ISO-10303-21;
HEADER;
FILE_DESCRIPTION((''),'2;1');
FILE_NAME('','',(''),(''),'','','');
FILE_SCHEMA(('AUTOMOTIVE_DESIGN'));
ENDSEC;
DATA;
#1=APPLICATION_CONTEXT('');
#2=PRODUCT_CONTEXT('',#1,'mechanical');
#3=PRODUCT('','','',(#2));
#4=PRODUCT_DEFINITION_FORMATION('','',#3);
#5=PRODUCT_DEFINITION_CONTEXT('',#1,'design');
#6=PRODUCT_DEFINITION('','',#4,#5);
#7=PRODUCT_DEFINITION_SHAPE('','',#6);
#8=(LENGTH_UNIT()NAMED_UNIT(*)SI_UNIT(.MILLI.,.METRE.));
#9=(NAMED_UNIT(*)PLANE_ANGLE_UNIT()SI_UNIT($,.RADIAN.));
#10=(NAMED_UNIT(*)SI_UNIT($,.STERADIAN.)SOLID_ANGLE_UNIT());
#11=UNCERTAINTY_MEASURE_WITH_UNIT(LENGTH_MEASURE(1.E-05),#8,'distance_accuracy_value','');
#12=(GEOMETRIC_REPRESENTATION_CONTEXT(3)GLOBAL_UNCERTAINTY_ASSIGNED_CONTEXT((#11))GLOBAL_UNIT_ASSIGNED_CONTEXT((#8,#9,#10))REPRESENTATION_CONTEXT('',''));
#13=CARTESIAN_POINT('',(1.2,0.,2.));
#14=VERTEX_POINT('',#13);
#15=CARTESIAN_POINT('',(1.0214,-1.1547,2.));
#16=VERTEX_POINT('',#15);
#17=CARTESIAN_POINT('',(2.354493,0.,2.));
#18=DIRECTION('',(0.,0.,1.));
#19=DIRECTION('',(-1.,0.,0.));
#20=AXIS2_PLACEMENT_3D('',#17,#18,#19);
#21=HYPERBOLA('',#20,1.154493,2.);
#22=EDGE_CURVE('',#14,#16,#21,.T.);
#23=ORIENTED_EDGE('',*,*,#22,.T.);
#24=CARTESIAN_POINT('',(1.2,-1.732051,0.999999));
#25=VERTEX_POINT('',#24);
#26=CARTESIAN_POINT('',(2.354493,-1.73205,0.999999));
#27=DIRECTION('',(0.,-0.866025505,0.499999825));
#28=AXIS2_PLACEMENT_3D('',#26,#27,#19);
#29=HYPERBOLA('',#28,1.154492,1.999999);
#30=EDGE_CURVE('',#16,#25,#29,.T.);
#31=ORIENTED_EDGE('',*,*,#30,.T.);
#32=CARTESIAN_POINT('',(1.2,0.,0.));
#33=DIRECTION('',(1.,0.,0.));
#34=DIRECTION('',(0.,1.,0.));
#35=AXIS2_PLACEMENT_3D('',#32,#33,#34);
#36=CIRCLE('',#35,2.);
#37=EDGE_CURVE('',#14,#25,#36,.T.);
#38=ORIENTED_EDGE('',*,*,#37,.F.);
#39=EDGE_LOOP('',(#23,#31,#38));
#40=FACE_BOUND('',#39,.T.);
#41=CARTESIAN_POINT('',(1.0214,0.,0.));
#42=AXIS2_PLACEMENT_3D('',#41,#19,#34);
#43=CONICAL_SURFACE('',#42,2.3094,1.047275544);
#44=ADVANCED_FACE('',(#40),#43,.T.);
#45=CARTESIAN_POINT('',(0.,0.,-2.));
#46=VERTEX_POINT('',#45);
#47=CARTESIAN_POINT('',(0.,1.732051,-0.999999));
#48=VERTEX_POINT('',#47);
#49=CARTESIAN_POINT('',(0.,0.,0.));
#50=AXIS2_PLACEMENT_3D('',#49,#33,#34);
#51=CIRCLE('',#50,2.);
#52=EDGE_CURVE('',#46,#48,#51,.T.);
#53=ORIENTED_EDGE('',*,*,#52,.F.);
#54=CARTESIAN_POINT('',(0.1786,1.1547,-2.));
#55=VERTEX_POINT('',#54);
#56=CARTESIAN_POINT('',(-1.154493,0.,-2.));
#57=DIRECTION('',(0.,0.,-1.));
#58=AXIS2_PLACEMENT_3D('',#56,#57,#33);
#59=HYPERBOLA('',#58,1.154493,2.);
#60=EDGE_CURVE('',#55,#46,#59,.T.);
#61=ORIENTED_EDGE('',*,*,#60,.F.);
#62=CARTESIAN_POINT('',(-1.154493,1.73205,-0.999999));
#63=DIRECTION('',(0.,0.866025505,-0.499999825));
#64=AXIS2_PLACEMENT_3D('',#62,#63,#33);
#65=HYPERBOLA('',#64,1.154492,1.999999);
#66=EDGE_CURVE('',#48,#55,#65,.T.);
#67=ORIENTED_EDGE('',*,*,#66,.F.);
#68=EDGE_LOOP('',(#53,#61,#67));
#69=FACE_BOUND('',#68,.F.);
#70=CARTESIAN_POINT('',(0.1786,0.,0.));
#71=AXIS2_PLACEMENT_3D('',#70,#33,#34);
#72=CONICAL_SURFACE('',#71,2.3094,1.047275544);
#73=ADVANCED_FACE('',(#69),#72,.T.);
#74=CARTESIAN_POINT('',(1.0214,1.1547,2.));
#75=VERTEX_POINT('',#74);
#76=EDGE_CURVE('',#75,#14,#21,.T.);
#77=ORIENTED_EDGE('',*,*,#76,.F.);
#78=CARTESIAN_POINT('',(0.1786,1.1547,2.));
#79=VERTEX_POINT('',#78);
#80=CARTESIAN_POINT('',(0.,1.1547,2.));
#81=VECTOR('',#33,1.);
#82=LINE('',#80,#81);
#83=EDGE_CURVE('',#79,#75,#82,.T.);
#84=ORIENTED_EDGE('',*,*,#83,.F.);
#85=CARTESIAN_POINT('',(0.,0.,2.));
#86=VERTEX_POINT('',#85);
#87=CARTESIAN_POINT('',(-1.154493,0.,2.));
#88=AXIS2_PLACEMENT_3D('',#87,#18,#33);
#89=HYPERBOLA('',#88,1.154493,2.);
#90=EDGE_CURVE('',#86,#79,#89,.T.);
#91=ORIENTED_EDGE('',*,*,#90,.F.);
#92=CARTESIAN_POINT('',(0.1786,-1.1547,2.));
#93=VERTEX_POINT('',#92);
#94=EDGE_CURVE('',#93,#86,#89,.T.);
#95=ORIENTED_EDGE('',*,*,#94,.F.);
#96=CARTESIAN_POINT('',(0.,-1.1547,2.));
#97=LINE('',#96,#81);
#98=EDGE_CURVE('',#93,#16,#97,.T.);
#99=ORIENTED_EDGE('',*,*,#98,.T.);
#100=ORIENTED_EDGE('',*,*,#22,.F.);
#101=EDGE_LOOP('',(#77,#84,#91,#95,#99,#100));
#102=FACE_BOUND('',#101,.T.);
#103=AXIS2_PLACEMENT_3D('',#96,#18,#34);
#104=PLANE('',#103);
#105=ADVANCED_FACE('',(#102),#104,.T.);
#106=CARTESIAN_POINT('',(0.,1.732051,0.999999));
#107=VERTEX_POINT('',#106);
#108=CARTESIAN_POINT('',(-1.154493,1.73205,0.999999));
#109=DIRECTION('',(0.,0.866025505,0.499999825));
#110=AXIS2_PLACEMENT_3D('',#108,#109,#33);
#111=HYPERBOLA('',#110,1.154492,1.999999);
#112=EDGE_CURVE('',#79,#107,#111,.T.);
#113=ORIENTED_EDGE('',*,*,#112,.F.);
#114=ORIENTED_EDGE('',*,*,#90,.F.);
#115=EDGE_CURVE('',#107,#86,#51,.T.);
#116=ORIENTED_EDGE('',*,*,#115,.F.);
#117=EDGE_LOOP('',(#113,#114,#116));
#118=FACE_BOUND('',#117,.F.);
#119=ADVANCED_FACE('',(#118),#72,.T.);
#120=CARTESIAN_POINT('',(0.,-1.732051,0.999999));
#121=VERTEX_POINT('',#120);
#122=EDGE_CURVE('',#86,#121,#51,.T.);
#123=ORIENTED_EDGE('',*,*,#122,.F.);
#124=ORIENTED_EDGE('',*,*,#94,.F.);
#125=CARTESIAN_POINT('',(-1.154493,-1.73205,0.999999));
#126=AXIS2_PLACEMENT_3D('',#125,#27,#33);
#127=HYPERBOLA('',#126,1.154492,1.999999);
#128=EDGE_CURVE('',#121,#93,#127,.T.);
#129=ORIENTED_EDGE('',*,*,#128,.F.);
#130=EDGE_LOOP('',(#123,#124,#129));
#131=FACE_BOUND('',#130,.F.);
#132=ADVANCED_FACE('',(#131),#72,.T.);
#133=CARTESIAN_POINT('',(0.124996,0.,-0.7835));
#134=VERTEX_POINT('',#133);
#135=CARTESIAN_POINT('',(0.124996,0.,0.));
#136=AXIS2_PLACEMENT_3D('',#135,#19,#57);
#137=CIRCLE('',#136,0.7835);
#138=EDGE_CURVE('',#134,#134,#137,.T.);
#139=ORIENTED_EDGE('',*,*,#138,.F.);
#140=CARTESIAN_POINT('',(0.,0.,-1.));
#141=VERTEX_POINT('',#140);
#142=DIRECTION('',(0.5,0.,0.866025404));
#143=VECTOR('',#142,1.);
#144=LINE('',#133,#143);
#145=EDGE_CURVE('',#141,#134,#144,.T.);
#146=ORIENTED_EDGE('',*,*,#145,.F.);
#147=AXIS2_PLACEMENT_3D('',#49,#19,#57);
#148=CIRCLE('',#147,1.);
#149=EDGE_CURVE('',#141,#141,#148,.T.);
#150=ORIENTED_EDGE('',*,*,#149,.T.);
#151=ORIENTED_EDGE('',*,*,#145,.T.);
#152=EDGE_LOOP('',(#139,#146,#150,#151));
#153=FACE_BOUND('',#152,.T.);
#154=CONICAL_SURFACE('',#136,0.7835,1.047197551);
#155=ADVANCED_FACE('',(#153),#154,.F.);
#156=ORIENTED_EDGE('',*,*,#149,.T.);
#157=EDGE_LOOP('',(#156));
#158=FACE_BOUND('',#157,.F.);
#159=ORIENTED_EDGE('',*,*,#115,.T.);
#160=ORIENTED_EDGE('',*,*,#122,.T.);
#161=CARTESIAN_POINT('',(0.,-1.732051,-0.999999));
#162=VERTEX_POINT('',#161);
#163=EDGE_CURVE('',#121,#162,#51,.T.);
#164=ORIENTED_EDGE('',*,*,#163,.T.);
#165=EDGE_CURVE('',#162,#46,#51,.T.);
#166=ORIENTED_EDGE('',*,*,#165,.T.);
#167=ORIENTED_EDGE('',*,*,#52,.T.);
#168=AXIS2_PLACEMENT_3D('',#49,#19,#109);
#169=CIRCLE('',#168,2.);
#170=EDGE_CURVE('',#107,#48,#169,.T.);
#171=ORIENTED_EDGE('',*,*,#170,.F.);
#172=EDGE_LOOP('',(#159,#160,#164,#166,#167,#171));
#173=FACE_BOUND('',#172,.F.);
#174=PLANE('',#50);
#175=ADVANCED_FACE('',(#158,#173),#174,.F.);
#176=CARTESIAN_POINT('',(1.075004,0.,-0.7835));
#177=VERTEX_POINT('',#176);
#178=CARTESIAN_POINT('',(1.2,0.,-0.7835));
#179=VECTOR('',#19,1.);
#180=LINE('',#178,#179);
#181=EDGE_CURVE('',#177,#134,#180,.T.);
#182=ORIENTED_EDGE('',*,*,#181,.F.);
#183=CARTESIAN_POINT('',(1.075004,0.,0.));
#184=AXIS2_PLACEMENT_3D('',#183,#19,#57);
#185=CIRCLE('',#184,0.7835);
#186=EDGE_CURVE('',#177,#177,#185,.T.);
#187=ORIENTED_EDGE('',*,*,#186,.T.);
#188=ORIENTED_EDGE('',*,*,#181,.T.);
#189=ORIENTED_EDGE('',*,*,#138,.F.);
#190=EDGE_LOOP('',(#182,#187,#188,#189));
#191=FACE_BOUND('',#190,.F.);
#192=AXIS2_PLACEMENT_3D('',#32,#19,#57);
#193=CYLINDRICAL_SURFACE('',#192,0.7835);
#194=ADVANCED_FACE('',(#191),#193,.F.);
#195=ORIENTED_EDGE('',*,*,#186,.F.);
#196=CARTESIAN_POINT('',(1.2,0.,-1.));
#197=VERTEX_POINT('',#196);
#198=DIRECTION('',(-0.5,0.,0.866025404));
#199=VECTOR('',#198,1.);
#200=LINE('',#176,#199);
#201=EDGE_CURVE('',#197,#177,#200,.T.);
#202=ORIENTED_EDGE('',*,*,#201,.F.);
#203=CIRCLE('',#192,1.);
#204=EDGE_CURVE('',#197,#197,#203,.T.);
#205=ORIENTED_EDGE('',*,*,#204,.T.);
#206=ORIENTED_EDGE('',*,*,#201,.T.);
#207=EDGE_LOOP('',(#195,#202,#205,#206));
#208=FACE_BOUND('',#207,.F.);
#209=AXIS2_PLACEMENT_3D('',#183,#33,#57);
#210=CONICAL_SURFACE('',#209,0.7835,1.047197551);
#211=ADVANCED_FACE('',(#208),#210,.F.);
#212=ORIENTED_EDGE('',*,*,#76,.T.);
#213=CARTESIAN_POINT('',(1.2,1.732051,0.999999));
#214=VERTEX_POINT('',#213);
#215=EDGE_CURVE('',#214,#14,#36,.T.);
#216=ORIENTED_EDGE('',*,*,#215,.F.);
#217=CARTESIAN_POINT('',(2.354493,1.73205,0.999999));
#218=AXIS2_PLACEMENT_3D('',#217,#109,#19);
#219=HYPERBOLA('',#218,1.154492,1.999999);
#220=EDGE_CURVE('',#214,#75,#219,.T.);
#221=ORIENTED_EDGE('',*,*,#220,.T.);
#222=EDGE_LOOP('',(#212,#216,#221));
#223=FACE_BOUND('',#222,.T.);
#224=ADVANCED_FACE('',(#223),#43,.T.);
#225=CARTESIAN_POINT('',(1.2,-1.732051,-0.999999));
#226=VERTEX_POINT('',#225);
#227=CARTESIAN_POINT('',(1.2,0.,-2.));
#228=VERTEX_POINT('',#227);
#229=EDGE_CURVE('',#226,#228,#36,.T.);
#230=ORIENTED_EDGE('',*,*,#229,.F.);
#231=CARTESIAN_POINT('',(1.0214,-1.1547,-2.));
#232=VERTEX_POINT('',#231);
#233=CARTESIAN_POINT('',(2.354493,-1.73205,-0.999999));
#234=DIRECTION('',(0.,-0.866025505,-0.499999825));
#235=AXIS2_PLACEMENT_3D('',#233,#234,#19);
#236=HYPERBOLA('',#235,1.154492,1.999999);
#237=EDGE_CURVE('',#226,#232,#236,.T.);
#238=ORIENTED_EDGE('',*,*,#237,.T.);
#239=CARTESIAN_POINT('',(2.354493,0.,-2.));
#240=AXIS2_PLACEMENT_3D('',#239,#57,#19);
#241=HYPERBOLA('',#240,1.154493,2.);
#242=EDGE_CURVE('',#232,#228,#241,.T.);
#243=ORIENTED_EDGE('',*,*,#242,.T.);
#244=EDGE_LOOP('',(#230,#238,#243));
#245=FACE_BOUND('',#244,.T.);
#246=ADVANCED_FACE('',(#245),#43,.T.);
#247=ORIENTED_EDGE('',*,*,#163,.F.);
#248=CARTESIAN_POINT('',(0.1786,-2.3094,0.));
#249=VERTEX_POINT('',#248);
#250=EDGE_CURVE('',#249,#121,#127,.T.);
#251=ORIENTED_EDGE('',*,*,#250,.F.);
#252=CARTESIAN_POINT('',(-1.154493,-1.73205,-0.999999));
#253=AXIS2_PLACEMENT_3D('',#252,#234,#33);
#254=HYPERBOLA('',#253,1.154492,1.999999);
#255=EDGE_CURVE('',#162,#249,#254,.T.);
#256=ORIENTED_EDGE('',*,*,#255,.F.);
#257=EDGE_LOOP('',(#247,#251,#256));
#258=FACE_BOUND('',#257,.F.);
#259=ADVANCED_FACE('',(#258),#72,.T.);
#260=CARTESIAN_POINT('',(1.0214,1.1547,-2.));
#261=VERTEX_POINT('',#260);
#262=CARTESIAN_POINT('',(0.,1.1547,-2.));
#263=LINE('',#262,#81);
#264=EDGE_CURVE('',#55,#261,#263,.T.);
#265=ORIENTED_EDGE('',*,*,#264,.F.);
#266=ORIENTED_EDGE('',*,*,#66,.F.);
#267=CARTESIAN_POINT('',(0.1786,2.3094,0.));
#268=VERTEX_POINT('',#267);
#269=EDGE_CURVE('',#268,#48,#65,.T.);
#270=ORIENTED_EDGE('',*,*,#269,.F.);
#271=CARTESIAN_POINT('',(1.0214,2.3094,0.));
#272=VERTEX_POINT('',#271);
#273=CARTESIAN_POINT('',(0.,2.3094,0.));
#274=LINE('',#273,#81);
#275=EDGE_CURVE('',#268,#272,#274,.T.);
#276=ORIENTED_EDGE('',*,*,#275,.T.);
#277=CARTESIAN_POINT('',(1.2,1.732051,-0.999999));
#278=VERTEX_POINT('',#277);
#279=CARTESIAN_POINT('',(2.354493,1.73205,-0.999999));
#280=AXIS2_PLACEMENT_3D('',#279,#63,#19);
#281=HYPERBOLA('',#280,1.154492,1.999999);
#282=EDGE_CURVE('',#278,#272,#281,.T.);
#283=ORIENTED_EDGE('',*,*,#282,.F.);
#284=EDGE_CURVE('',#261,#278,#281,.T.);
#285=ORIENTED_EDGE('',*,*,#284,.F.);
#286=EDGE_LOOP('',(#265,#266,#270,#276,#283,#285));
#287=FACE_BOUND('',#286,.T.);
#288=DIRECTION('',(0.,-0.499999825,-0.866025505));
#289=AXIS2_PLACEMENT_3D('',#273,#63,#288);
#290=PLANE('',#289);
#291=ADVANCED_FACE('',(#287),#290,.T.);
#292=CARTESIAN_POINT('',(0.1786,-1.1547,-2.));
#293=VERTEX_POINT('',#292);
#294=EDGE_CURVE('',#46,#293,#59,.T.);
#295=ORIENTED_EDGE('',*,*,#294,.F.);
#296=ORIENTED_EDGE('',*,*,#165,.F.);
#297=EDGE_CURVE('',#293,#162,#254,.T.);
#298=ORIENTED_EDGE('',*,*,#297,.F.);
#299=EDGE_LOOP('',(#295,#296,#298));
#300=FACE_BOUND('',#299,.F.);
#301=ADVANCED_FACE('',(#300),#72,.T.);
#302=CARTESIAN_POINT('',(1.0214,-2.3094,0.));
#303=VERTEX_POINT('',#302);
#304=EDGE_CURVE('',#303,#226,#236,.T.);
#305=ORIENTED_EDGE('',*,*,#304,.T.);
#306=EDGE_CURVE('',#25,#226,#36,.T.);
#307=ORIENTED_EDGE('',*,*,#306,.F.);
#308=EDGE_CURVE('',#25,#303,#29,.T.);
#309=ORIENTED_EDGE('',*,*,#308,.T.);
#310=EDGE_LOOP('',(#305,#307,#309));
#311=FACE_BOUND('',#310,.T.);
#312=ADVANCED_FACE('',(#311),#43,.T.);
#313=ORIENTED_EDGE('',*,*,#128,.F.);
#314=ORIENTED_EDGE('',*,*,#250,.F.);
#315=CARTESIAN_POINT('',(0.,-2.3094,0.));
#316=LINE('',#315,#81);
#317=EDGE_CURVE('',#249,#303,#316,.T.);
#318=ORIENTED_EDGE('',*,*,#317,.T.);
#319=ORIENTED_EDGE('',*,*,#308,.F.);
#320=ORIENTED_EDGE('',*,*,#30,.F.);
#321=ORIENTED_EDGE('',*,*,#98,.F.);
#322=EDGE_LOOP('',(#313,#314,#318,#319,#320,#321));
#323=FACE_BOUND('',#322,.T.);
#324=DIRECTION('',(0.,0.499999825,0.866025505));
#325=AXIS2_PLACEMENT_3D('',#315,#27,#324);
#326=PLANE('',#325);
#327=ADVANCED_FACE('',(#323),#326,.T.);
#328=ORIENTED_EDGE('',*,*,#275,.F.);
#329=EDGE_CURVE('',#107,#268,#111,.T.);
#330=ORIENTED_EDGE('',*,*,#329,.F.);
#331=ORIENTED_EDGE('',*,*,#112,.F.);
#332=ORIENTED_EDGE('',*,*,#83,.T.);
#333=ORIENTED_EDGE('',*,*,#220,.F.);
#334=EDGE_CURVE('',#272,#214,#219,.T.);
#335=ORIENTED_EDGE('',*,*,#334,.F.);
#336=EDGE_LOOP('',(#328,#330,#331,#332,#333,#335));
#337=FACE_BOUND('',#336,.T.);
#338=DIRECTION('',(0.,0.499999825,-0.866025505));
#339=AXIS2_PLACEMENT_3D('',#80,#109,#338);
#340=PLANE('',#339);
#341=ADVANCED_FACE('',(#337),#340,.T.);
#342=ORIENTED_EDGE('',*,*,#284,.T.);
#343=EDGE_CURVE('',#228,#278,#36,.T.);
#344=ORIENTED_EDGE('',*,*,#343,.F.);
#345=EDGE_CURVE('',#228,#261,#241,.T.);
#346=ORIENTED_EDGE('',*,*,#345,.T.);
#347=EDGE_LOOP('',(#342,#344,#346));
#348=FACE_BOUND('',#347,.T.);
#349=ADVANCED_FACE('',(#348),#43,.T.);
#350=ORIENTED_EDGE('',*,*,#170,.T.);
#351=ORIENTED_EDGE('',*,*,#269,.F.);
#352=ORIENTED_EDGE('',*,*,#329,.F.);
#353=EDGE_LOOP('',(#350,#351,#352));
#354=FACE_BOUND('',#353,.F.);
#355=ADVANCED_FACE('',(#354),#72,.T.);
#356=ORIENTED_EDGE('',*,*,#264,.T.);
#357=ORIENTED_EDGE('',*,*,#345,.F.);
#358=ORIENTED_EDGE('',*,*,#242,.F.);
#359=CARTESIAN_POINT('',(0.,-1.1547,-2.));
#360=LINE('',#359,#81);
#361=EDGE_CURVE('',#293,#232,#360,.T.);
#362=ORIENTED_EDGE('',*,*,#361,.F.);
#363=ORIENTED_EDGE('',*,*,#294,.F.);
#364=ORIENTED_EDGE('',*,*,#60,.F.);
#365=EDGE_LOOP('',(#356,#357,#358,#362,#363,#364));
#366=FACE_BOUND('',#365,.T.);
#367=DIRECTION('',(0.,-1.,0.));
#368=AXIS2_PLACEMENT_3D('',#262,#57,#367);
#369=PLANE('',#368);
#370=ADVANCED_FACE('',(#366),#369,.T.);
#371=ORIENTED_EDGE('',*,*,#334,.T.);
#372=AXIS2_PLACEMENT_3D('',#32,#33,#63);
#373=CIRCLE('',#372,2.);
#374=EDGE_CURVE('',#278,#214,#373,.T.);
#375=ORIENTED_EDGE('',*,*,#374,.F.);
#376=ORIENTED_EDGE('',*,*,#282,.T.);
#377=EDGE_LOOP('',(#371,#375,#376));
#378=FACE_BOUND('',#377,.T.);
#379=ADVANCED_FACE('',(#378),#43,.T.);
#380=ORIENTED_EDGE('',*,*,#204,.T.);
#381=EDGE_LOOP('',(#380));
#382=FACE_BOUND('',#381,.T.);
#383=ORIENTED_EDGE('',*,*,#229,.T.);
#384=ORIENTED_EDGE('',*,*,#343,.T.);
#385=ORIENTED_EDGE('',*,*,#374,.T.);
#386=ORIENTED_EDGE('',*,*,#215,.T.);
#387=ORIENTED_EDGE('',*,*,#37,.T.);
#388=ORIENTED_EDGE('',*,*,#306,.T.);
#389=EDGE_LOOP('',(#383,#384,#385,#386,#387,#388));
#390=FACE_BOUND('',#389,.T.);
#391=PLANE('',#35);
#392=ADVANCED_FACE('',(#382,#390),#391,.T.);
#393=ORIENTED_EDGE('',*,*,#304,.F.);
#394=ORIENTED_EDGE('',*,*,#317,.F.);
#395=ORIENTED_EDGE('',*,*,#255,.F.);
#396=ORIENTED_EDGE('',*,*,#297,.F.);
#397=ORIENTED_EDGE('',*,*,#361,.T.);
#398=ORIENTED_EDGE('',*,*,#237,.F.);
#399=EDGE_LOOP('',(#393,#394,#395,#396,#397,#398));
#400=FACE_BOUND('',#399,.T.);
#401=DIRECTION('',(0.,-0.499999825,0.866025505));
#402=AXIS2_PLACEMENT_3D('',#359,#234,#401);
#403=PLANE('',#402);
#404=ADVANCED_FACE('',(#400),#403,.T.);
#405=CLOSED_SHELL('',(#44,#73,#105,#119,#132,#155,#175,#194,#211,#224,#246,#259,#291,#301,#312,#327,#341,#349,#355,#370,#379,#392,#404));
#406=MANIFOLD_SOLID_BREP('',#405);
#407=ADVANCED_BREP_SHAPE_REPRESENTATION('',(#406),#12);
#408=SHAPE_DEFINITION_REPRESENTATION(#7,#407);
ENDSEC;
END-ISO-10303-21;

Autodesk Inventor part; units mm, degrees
ref_plane "YZ Plane" through (0, 0, 0) normal (1, 0, 0) x (0, 1, 0)
ref_plane "XZ Plane" through (0, 0, 0) normal (0, 1, 0) x (-1, 0, 0)
sketch "Sketch1" plane through (0, 0, 0) normal (1, 0, 0) x (0, 1, 0)
  line L0 (-2.3094, 0) -> (-1.1547, 2)
  line L1 (-1.1547, 2) -> (1.1547, 2)
  line L2 (1.1547, 2) -> (2.3094, 0)
  line L3 (2.3094, 0) -> (1.1547, -2)
  line L4 (1.1547, -2) -> (-1.1547, -2)
  line L5 (-1.1547, -2) -> (-2.3094, 0)
  point P0 (0, 0)
  point P1 (0, 0)
  dimension "d0" = 4.6188
extrude "Body" add sketch "Sketch1" along normal blind 1.2
sketch "Sketch2" plane through (0, 0, 0) normal (0, 0, 1) x (1, 0, 0)
  line L0 (0, 1.1547) -> (0, 2.3094) projected
  line L1 (0, 2.3094) -> (1.2, 2.3094) projected
  line L2 (1.2, 1.1547) -> (1.2, 2.3094) projected
  line L3 (-0.24, 0) -> (1.44, 0) projected
  line L4 (0.1786, 2.3094) -> (0, 2)
  line L5 (1.0214, 2.3094) -> (1.2, 2)
  dimension "d3" = 30
  dimension "d4" = 30
  dimension "d5" = 4
  dimension "d6" = 4
revolve "Chamfer1" cut sketch "Sketch2" angle 360 about axis through (-10, 0, 0) along (1, 0, 0)
sketch "Sketch3" plane through (1.2, 0, 0) normal (1, 0, 0) x (0, 0, -1)
  arc A0 (-1, -1.7321) -> (1, -1.7321) centre (0, 0) ccw projected
hole "Thread" at (1.2, 0, 0) direction (-1, 0, 0) diameter 1.567 end through all thread size "M2x0.4" class "6H" standard "ISO Metric profile"
chamfer "Chamfer2" distance 0.2165 angle 30 1 edges at (1.2, 0, 0.7835) measured on face at (1.2, 1.5853, -0.0315)
chamfer "Chamfer3" distance 0.2165 angle 30 1 edges at (0, 0, 0.7835) measured on face at (0, 1.5853, -0.0315)
ref_plane "Work Plane1" through (-5.0268, 0, 0) normal (0, -0.866, -0.5) x (1, 0, 0)
equation "\"d0\" = 1.1547 * SW"
equation "\"d1\" = KOH"
equation "\"d3\" = ANG1"
equation "\"d4\" = ANG2"
equation "\"d5\" = SW0"
equation "\"d6\" = SW01"
equation "\"d8\" = -0.5 * GD1 + 0.5 * NND"
equation "\"d40\" = -0.5 * GD1 + 0.5 * NND"
equation "\"d10\" = -0.5 * GD1 + 0.5 * NND"
equation "\"d41\" = -0.5 * GD1 + 0.5 * NND"
equation "\"ANG1\" = 30deg"
equation "\"ANG2\" = 30deg"
equation "\"NND\" = 2"
equation "\"KOH\" = 1.2"
equation "\"SW\" = 4"
equation "\"SW0\" = SW"
equation "\"SW01\" = SW"
equation "\"GUL\" = 0.541266 * PTC"
equation "\"THREADDIA\" = 2"
equation "\"TOA\" = 30deg"
equation "\"PTC\" = 0.4"
equation "\"E0\" = 1.155 * SW"
equation "\"GAL\" = 0.541266 * PTC"
equation "\"GD1\" = 1.566987"
properties part number "CNS 3129 - M 2" material "Steel, Mild"
